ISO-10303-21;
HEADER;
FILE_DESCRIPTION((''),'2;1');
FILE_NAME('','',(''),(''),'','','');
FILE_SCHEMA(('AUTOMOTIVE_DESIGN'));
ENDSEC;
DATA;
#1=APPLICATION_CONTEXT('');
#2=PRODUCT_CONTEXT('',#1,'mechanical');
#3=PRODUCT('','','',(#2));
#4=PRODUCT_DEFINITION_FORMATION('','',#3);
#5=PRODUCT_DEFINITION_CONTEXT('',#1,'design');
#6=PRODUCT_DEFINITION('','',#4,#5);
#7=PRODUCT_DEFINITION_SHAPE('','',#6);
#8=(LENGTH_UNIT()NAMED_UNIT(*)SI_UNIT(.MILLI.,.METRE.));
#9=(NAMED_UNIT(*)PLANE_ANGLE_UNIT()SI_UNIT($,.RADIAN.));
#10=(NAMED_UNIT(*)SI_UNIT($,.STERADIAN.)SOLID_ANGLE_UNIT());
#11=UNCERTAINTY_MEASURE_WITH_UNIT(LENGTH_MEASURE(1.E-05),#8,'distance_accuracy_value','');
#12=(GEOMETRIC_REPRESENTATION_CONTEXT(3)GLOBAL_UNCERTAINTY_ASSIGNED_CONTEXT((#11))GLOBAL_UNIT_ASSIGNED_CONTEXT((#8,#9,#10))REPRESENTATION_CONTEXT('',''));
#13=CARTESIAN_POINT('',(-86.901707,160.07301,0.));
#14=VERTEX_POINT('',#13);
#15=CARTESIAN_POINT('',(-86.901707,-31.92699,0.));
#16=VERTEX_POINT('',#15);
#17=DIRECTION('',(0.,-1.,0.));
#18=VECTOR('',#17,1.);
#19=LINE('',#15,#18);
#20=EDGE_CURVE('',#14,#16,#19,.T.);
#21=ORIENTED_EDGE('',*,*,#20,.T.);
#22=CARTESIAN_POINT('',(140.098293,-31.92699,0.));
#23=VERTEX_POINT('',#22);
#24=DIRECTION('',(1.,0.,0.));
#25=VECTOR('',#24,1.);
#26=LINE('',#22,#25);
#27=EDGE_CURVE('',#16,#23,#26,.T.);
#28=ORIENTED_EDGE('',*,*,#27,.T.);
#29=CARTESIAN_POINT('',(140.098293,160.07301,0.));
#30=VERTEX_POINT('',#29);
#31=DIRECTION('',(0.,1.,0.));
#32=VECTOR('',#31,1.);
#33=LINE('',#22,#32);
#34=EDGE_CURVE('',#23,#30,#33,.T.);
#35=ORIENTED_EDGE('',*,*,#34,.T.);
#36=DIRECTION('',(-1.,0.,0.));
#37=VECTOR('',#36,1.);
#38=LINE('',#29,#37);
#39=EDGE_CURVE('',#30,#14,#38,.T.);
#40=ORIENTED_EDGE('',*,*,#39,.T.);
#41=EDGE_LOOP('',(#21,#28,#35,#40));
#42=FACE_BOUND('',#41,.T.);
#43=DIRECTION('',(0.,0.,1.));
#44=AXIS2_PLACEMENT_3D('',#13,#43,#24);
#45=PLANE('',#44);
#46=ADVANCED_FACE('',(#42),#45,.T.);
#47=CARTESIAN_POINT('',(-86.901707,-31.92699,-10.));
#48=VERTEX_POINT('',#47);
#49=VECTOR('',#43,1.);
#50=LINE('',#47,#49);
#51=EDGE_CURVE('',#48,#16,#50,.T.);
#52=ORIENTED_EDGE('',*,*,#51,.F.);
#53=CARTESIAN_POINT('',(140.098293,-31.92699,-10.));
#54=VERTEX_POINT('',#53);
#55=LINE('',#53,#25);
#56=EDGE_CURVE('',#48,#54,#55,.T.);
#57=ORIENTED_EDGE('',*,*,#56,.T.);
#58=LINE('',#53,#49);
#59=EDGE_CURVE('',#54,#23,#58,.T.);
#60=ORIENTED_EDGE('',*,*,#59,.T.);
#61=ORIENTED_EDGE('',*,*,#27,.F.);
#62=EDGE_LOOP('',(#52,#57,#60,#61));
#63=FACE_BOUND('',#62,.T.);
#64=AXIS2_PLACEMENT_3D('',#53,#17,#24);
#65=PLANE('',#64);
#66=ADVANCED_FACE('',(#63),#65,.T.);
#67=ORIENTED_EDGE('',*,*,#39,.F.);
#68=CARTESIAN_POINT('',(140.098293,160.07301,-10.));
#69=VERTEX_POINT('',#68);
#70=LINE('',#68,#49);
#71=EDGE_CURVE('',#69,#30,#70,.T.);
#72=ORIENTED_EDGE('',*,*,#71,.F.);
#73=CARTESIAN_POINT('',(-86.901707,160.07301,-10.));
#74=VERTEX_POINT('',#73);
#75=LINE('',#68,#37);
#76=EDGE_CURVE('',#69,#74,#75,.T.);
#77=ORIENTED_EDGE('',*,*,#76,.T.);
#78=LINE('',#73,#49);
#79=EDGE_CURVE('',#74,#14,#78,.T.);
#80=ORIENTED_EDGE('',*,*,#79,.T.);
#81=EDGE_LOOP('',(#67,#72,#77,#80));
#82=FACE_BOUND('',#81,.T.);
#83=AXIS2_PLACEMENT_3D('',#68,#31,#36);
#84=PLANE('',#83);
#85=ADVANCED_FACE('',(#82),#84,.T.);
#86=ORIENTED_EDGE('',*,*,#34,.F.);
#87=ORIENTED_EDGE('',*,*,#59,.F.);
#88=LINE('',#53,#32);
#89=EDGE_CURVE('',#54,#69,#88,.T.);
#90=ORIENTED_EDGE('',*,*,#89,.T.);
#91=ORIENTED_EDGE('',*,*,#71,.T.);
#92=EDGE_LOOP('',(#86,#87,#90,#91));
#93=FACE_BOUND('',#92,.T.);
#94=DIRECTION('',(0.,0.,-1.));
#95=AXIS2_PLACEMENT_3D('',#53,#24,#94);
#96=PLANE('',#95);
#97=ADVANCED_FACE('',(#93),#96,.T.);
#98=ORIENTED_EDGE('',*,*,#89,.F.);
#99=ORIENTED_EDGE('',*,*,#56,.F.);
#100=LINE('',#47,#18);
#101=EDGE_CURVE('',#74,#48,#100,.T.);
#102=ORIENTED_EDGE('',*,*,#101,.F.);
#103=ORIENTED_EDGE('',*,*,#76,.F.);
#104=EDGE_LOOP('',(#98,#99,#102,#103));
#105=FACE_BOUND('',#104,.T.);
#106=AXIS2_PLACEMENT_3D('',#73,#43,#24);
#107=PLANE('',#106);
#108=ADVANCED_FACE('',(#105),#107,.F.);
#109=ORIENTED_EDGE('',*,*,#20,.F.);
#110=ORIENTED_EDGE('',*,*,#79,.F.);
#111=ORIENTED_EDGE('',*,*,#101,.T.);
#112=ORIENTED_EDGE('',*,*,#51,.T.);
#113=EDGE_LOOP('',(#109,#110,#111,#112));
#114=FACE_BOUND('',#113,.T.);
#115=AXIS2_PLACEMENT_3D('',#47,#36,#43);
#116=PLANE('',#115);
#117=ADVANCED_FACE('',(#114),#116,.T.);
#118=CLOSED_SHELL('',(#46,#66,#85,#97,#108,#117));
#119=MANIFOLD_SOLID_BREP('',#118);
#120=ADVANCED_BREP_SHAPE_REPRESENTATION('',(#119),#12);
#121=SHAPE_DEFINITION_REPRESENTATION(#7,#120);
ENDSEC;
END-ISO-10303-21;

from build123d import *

# Parameters (mm, degrees)
ESBO_O5_W       = 227
ESBO_O5_H       = 192
EXTRUS_O1_DEPTH = 10


with BuildPart() as part:
    # Esboço5 → Extrusão1 (new body)
    with BuildSketch(Plane.XY):
        with Locations((26.598292528, 64.073010485)):
            Rectangle(ESBO_O5_W, ESBO_O5_H)
    extrude(amount=-EXTRUS_O1_DEPTH)


solid = part.part
